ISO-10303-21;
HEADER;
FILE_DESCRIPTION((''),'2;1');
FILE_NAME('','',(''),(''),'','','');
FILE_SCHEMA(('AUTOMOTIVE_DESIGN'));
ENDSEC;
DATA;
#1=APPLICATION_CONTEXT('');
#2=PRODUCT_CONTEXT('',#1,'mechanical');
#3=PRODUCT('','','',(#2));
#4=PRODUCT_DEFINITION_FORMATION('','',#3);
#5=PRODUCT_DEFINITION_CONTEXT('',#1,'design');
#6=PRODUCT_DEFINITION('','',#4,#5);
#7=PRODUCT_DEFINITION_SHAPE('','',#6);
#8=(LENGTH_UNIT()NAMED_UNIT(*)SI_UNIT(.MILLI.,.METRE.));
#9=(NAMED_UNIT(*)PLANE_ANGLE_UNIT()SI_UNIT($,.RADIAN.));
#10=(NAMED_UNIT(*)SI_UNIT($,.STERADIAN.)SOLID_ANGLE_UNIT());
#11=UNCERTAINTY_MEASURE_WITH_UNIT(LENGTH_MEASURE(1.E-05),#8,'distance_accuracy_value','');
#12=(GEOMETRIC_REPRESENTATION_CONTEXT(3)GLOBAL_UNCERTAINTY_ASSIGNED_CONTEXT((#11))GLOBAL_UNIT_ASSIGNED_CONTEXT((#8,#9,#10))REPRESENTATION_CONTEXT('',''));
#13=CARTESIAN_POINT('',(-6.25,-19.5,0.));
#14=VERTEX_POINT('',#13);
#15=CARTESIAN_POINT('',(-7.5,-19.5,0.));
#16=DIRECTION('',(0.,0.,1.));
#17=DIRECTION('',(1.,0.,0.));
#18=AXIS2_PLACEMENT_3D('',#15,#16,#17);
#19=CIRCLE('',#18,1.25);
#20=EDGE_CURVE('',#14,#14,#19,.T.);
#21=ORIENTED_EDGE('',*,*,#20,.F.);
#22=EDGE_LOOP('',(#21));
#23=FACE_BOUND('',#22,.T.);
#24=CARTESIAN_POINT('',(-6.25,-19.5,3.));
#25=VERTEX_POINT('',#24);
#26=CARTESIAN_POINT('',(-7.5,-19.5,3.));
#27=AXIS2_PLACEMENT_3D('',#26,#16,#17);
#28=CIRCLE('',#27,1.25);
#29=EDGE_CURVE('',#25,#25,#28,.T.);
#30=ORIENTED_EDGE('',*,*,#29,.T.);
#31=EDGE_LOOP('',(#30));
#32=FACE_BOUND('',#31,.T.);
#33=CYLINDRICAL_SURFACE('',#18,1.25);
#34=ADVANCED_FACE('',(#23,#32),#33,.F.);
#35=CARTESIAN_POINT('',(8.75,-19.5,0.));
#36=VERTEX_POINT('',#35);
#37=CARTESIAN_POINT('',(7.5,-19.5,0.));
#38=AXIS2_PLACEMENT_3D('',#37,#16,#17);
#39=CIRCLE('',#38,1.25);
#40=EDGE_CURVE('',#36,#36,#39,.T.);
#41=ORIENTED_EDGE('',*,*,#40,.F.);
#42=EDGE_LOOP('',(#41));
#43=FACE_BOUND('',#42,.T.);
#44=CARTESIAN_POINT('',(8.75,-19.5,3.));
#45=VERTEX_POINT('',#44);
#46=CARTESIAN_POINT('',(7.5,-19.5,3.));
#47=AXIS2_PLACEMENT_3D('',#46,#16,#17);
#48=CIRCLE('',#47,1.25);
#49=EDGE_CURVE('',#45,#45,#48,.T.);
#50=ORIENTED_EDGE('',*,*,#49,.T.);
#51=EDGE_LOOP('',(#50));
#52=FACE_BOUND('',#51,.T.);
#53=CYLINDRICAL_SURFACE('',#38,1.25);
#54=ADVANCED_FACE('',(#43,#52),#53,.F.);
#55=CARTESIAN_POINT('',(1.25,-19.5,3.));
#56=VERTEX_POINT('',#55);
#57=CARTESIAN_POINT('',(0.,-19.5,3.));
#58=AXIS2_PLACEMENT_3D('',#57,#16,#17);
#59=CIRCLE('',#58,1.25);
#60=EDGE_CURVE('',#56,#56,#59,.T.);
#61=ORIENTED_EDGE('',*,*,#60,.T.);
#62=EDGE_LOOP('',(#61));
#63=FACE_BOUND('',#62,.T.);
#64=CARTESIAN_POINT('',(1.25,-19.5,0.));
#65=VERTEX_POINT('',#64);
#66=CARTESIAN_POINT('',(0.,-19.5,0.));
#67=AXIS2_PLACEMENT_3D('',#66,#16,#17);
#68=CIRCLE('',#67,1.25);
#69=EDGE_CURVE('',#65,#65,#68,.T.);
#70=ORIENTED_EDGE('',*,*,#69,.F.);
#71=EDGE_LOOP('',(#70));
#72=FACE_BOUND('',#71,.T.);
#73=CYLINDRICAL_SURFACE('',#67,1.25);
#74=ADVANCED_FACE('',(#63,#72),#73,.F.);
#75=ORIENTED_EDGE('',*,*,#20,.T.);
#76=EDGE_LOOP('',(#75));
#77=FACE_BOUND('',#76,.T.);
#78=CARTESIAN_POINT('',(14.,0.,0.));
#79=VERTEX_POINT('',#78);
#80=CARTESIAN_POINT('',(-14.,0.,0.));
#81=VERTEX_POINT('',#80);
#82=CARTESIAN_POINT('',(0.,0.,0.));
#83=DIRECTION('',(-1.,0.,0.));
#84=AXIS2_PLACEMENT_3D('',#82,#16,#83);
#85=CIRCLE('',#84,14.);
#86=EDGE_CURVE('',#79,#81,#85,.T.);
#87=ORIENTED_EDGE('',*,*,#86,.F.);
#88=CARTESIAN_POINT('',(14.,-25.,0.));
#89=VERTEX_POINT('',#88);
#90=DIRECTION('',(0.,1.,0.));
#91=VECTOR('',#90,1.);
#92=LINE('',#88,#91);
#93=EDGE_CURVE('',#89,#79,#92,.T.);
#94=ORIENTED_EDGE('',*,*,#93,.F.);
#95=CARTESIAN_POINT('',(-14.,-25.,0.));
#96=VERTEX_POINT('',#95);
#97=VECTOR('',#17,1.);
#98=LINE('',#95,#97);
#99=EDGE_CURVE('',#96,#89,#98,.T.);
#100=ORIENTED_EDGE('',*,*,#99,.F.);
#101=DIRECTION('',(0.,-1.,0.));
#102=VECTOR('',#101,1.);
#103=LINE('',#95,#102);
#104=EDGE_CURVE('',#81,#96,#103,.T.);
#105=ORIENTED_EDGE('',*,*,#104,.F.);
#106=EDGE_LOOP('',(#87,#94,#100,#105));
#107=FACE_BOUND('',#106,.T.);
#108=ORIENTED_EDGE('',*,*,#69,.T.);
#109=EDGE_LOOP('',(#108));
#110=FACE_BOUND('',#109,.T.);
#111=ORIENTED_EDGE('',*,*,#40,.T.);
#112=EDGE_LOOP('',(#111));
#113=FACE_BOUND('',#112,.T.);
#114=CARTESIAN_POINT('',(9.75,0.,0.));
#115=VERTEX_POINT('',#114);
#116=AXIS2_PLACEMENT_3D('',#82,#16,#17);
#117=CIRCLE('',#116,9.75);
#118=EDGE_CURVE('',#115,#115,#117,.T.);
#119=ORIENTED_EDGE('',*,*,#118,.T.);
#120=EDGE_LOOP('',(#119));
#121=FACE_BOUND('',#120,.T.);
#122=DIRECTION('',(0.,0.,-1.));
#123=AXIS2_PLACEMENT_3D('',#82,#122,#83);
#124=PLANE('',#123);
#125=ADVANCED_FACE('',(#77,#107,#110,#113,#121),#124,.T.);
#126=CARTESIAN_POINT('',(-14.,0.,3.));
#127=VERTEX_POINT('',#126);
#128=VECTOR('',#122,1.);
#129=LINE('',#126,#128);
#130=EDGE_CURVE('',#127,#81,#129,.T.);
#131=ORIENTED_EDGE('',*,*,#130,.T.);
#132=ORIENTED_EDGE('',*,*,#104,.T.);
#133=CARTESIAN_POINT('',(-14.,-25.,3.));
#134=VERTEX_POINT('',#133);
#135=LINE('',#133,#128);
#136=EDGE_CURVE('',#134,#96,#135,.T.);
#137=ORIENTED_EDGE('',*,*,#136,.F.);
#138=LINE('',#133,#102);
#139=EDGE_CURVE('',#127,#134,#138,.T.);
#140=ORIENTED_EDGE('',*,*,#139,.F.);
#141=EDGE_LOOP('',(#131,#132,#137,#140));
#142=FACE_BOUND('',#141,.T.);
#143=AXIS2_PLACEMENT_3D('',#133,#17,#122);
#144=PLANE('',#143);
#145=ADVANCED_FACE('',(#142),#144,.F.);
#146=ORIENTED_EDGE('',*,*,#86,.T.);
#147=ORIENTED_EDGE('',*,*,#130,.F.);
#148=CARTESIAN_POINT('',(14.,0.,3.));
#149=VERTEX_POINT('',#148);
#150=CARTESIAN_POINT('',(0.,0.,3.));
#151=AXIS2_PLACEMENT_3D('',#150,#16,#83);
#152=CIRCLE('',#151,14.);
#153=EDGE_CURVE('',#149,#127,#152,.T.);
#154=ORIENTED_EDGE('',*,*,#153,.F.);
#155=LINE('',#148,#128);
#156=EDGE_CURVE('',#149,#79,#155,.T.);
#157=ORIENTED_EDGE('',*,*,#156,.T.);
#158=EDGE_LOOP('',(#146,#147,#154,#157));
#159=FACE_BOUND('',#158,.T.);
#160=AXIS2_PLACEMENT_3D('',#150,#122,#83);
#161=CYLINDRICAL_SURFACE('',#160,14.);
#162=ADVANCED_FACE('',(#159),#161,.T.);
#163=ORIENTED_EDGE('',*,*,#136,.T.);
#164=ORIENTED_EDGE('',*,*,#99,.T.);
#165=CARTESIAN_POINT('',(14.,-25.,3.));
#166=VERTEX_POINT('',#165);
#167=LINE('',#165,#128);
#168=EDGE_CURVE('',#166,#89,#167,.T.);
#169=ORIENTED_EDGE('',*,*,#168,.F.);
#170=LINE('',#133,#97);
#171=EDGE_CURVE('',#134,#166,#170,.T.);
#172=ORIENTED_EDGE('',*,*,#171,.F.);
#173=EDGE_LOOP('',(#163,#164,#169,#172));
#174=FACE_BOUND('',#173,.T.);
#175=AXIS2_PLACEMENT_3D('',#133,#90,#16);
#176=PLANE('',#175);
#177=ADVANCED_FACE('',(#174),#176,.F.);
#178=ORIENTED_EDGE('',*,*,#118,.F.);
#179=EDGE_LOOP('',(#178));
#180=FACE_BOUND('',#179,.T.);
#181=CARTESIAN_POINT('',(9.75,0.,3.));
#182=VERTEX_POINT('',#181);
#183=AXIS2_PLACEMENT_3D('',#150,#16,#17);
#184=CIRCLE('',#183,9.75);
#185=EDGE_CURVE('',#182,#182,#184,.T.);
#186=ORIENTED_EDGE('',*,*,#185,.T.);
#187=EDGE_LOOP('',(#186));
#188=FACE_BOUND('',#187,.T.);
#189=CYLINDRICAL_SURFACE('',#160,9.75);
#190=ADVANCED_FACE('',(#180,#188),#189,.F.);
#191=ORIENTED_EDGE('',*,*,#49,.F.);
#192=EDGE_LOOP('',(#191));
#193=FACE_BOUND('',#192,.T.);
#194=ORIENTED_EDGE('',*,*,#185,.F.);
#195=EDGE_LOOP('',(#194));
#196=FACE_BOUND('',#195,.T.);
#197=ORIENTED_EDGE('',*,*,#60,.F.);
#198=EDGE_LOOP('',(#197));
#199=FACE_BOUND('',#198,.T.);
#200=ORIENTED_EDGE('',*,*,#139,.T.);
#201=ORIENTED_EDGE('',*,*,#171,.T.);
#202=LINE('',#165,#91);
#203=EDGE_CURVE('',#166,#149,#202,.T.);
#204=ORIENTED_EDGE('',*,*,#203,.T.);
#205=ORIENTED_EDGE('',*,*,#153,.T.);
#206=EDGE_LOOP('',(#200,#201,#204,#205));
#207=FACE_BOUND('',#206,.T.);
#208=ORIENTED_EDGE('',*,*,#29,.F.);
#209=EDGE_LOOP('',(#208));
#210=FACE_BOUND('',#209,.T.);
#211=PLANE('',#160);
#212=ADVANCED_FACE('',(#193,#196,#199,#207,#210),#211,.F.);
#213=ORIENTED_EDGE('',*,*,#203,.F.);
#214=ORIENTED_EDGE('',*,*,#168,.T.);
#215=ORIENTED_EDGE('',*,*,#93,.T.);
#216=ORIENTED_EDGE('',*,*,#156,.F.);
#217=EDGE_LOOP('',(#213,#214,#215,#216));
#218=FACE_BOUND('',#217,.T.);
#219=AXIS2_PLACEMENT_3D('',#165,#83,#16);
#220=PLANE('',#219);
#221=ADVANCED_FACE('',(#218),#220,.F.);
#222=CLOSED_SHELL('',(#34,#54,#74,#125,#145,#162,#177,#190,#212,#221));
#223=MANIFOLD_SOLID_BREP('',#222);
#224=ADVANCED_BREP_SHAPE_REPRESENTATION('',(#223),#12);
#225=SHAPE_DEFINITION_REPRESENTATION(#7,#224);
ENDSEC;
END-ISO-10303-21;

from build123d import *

# Parameters (mm, degrees)
CROQUIS1_R              = 9.75
SALIENTE_EXTRUIR1_DEPTH = 3
CROQUIS2_R              = 1.25
CORTAR_EXTRUIR1_DEPTH   = 3


with BuildPart() as part:
    # Croquis1 → Saliente-Extruir1 (new body)
    with BuildSketch(Plane.XY):
        with BuildLine():
            Line((-14, -25), (14, -25))
            Line((14, -25), (14, 0))
            ThreePointArc((14, 0), (0, 14), (-14, 0))
            Line((-14, 0), (-14, -25))
        make_face()
        Circle(CROQUIS1_R, mode=Mode.SUBTRACT)
    extrude(amount=SALIENTE_EXTRUIR1_DEPTH)

    # Croquis2 → Cortar-Extruir1 (cut)
    with BuildSketch(Plane.XY.offset(3)):
        with Locations((0, -19.5)):
            Circle(CROQUIS2_R)
        with Locations((7.5, -19.5)):
            Circle(CROQUIS2_R)
        with Locations((-7.5, -19.5)):
            Circle(CROQUIS2_R)
    extrude(amount=-CORTAR_EXTRUIR1_DEPTH, mode=Mode.SUBTRACT)


solid = part.part
